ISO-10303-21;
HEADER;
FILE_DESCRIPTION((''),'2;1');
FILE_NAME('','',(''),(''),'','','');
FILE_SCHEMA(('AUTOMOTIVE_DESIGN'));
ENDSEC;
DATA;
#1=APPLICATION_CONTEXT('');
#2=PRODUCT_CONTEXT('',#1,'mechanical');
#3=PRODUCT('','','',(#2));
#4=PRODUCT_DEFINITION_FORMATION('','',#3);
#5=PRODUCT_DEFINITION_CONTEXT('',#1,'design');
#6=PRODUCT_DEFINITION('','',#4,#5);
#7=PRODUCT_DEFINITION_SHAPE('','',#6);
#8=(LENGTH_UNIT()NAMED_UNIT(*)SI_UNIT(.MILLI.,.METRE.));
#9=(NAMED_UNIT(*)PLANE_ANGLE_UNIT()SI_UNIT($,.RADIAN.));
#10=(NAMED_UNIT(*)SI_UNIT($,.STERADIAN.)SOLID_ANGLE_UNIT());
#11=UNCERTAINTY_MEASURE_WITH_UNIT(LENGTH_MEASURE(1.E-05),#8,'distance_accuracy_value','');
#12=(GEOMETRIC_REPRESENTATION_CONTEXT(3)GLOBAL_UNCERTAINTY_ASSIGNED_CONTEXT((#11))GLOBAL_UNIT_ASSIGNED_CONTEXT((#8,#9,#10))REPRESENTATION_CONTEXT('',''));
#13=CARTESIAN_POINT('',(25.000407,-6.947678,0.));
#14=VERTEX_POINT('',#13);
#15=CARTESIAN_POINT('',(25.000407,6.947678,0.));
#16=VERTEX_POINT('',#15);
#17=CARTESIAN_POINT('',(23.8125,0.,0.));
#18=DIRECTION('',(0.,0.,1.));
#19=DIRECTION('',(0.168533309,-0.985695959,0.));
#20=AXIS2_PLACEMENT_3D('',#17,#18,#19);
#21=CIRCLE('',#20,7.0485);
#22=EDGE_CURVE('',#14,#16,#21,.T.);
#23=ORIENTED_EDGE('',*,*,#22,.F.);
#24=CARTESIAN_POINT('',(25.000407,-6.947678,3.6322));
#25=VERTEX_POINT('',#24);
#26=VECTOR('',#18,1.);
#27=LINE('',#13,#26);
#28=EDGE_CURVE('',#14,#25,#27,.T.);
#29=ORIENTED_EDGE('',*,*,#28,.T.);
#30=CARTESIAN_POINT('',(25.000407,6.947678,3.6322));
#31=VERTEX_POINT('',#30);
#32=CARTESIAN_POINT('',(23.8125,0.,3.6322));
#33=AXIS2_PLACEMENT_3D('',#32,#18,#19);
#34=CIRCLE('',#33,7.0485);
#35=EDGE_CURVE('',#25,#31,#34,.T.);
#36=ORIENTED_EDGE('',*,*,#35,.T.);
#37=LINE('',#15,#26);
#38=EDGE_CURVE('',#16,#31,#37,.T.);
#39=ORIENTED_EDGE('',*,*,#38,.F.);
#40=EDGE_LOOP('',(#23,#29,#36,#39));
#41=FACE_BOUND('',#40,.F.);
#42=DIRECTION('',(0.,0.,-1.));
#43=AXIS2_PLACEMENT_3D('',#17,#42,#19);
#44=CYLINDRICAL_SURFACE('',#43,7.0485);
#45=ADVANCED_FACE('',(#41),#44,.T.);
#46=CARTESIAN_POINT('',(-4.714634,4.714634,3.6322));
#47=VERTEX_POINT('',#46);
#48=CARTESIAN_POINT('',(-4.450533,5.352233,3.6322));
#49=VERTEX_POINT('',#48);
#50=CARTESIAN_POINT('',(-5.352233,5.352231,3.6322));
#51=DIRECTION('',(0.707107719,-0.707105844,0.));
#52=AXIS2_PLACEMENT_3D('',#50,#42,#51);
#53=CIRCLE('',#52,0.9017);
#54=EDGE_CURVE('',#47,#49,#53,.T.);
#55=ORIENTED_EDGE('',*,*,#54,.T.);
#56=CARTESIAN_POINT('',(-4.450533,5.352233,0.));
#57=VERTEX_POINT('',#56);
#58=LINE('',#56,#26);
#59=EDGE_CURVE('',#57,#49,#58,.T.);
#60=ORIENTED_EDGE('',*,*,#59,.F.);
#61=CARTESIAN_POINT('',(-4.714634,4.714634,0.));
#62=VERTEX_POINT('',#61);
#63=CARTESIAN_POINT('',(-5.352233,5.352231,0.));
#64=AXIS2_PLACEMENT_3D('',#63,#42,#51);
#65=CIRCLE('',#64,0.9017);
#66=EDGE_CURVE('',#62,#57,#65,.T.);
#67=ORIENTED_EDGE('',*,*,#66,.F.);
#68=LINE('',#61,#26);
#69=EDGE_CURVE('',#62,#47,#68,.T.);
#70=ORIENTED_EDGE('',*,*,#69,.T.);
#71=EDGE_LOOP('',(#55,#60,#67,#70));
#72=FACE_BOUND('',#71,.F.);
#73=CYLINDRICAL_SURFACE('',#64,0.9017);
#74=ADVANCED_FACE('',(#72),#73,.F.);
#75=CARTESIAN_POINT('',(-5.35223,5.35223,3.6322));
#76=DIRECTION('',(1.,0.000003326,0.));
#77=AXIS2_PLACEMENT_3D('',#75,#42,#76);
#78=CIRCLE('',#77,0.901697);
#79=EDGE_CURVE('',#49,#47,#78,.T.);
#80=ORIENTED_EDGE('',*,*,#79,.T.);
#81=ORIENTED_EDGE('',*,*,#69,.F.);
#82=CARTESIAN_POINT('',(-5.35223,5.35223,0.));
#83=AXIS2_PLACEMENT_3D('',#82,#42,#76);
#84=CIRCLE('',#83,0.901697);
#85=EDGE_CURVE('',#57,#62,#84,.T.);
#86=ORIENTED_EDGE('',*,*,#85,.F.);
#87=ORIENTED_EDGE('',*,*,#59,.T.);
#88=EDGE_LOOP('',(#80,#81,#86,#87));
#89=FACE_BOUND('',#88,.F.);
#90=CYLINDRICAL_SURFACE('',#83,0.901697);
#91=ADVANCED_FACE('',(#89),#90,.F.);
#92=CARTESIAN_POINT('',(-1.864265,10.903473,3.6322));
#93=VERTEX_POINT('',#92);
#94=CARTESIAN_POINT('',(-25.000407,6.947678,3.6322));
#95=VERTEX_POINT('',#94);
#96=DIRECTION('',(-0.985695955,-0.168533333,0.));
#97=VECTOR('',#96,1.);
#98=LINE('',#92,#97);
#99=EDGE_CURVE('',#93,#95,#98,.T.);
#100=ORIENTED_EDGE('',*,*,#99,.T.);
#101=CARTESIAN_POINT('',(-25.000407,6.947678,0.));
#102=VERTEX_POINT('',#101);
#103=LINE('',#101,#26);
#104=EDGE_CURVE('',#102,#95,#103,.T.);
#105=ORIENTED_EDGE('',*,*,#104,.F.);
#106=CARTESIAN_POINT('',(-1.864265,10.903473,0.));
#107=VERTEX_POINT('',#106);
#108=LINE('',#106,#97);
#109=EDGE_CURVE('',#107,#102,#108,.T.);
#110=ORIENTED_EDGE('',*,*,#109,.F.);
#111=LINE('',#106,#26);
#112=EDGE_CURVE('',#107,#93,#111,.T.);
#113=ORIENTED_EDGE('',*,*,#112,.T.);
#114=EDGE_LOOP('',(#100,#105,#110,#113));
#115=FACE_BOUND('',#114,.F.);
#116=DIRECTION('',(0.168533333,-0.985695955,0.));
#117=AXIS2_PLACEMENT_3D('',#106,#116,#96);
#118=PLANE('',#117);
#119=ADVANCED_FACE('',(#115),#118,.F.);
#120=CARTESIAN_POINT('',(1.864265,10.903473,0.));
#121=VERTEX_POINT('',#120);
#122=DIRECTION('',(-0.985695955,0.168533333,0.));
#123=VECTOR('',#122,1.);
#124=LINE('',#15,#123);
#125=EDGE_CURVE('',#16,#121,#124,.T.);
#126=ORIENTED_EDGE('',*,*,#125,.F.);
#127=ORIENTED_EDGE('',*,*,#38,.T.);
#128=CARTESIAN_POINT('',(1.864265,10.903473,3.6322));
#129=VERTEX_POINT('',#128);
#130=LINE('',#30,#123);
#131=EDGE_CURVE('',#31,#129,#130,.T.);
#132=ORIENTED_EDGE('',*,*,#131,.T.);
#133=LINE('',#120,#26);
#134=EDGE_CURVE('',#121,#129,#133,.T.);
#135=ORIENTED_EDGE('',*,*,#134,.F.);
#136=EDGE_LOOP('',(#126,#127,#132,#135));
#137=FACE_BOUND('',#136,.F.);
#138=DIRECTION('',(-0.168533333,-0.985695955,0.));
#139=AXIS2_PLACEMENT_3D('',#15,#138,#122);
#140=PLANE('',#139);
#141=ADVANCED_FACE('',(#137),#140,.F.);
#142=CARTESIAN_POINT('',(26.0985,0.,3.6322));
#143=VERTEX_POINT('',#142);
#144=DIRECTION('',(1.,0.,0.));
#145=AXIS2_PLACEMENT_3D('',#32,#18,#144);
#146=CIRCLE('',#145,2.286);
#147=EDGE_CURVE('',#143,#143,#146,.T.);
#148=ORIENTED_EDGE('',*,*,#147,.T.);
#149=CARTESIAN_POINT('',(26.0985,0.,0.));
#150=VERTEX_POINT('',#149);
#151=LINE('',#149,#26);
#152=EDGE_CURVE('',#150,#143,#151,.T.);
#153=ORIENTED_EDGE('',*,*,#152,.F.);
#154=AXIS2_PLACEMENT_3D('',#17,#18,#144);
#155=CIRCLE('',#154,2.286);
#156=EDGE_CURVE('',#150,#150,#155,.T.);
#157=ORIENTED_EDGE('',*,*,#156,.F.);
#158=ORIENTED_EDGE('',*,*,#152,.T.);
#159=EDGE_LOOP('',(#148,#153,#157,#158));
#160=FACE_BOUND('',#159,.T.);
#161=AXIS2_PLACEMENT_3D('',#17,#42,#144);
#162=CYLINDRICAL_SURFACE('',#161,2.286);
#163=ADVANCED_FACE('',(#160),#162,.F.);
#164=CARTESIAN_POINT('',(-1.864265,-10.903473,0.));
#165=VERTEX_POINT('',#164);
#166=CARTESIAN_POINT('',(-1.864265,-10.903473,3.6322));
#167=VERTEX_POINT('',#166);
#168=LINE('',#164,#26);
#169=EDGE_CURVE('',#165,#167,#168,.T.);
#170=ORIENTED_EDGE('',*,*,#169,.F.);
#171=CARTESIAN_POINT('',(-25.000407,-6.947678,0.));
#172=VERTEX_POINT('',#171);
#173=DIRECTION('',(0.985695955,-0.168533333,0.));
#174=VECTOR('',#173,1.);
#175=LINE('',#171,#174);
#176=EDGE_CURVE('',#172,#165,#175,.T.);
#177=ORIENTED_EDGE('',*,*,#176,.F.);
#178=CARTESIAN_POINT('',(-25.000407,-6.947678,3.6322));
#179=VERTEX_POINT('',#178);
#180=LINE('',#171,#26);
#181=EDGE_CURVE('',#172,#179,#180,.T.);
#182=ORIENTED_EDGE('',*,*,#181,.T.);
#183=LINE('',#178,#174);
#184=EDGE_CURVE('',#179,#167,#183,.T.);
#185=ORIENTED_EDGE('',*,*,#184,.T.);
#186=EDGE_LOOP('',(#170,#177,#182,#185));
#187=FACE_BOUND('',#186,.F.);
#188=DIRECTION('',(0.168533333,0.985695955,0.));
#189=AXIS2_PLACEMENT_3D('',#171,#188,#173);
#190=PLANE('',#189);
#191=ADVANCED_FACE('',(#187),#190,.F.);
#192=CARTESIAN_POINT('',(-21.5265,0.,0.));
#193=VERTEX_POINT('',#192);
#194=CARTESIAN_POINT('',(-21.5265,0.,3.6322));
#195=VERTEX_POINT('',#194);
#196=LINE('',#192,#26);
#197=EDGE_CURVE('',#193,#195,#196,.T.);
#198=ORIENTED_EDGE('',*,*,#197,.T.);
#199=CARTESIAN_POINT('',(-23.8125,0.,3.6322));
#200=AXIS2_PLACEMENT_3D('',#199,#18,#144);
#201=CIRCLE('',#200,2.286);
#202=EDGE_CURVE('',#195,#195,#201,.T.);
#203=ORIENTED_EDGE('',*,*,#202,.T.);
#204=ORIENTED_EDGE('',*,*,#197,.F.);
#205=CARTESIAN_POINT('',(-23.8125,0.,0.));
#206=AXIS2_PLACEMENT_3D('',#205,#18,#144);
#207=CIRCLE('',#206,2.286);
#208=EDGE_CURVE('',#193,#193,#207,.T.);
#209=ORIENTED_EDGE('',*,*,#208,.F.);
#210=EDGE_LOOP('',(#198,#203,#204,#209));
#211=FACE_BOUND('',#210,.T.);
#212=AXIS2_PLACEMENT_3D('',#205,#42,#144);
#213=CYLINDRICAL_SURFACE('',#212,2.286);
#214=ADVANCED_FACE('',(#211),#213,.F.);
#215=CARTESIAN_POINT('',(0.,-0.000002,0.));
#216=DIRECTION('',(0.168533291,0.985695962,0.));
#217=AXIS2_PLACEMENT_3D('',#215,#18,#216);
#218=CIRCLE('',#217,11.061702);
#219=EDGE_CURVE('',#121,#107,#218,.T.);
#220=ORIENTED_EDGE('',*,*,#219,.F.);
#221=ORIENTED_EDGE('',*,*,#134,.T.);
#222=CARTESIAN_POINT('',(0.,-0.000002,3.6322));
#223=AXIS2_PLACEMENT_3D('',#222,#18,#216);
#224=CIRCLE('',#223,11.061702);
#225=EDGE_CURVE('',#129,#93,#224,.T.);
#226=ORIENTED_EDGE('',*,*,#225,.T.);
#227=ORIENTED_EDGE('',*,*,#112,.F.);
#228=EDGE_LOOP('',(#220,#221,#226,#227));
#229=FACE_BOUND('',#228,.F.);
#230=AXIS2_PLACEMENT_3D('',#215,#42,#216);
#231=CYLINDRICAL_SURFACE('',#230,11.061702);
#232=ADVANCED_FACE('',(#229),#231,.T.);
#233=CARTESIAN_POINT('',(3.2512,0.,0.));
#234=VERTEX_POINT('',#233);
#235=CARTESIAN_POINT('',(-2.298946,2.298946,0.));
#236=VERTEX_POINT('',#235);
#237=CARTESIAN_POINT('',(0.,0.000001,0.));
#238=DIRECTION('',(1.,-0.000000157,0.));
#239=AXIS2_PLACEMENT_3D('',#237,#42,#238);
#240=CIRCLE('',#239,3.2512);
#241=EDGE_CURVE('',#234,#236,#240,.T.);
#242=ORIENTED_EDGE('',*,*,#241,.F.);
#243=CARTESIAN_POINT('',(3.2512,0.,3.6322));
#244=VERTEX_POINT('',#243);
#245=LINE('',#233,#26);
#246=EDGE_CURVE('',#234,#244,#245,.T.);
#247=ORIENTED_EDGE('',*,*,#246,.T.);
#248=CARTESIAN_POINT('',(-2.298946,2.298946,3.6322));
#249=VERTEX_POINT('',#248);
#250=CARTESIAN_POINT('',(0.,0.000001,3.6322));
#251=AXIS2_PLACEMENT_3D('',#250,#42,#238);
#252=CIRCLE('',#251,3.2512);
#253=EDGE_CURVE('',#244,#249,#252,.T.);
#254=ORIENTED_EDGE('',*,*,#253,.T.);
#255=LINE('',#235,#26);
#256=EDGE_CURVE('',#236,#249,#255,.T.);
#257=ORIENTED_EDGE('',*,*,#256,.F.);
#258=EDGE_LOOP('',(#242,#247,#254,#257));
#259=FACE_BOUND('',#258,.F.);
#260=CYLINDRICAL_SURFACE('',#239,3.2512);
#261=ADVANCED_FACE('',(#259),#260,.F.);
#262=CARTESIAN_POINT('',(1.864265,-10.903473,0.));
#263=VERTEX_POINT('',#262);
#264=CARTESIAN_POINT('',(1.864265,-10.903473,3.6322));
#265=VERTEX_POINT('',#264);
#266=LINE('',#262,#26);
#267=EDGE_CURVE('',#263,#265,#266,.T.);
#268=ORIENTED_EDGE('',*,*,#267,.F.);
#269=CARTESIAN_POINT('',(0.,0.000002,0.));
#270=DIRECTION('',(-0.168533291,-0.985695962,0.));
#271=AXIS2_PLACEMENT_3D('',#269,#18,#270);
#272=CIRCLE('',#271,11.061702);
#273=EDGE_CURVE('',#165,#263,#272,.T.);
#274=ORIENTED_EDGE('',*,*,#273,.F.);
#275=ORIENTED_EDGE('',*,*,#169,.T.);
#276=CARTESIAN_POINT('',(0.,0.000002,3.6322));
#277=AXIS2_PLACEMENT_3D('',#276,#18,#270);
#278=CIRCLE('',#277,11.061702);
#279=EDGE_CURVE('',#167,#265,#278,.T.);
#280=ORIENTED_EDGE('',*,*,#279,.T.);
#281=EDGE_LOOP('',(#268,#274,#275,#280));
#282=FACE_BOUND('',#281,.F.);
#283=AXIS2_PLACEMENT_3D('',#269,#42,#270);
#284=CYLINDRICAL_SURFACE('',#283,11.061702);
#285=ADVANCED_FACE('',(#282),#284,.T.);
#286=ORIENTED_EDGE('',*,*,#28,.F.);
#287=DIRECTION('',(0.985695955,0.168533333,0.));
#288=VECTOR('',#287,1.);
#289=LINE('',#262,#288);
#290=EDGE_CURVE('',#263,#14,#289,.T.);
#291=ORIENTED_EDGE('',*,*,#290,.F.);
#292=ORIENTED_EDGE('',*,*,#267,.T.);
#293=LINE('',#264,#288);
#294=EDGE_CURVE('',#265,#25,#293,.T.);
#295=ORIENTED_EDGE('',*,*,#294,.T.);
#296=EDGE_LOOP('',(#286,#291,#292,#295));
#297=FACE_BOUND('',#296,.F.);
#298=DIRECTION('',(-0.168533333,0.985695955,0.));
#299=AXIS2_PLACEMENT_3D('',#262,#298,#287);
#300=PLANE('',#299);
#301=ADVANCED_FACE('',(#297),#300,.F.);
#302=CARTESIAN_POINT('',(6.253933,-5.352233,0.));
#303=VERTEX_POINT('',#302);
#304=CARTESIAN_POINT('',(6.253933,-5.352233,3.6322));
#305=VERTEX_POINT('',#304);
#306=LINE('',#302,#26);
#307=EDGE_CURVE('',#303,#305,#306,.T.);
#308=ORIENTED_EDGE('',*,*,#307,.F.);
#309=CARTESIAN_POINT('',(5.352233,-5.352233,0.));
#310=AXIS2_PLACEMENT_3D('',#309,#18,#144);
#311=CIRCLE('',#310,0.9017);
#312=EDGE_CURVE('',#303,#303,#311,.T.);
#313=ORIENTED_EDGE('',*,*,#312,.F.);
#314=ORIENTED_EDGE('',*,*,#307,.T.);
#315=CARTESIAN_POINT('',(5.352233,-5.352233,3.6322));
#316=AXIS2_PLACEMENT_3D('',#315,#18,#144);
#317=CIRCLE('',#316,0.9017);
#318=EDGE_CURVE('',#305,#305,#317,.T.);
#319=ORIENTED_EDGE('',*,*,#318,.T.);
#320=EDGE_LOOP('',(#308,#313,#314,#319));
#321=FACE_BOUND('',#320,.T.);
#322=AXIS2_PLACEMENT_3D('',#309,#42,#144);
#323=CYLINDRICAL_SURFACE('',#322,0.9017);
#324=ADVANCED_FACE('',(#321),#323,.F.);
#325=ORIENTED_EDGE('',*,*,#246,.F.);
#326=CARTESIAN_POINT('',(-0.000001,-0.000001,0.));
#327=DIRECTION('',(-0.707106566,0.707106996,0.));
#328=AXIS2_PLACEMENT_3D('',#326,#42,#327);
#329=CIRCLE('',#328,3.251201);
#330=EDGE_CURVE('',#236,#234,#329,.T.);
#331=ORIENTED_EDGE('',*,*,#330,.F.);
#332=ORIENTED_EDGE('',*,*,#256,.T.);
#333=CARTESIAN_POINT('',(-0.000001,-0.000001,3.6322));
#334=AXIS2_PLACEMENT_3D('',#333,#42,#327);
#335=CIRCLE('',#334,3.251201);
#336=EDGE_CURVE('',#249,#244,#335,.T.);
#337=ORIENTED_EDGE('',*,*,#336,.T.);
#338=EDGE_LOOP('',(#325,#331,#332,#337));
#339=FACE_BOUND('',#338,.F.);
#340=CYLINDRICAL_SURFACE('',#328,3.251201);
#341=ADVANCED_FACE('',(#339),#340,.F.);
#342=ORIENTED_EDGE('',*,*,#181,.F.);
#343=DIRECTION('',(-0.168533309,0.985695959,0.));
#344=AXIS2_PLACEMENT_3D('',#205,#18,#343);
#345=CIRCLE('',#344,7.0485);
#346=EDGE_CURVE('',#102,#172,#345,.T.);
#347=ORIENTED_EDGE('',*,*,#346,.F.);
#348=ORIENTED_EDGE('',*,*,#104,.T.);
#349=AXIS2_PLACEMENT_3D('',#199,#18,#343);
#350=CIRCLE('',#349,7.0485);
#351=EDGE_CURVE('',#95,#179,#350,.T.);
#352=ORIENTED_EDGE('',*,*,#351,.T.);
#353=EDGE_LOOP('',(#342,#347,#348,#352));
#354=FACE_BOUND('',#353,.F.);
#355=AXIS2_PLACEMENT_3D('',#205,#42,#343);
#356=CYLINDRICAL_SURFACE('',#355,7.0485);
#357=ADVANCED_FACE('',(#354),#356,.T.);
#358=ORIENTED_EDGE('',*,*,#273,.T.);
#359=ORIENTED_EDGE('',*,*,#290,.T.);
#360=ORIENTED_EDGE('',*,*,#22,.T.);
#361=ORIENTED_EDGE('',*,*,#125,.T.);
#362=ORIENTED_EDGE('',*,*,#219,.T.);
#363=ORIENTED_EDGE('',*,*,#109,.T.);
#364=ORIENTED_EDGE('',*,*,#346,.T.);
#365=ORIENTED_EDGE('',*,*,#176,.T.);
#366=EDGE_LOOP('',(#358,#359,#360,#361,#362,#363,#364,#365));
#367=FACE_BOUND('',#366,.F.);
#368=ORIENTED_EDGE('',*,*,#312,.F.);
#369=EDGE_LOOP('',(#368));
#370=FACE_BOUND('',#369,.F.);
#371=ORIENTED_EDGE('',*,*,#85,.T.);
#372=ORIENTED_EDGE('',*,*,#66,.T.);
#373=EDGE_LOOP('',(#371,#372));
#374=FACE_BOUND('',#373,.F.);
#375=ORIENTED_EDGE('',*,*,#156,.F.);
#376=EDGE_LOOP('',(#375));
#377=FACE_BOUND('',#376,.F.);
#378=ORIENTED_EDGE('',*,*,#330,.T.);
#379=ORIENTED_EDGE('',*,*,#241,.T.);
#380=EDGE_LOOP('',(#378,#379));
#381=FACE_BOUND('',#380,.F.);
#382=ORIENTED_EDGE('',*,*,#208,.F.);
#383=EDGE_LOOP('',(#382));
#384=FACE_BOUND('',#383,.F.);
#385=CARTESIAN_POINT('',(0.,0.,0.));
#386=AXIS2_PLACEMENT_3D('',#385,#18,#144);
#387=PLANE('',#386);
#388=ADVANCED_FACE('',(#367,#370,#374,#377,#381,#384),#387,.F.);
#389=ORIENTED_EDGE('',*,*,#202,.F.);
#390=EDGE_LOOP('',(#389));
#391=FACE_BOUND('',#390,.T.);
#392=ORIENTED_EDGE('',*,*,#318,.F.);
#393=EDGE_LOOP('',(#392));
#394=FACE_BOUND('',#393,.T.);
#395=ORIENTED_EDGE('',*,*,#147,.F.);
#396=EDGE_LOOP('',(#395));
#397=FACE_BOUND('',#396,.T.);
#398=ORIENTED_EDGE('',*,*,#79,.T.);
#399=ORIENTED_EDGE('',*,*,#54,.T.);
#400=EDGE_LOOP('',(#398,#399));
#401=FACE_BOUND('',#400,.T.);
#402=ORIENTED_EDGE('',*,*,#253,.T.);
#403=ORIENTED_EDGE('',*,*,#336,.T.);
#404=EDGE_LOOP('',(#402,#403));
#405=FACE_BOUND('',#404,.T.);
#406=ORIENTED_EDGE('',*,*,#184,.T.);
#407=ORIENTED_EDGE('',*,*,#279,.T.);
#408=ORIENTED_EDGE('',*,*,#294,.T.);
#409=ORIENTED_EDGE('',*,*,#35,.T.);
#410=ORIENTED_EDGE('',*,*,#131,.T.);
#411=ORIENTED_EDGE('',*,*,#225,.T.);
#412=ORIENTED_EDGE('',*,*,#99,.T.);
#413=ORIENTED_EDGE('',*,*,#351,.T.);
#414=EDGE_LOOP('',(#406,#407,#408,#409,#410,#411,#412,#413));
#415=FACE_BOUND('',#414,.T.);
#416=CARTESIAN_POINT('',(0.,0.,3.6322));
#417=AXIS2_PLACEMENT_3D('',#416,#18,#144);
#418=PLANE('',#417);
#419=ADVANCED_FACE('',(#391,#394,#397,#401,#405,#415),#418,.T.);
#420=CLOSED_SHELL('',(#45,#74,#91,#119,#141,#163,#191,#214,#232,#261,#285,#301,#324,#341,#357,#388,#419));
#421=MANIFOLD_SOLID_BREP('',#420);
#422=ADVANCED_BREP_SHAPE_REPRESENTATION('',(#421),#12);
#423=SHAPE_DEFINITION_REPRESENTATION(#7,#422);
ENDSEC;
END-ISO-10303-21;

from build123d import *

# Parameters (mm, degrees)
F0_R     = 0.9017
F0_R_2   = 2.286
F1_DEPTH = 3.6322


with BuildPart() as f1:
    # F0 (on Top) → F1 (new body)
    with BuildSketch(Plane.XY):
        with BuildLine():
            Line((25.000407, 6.947678), (1.864265, 10.903473))
            ThreePointArc((1.864265, 10.903473), (0, 11.0617), (-1.864265, 10.903473))
            Line((-1.864265, 10.903473), (-25.000407, 6.947678))
            ThreePointArc((-25.000407, 6.947678), (-30.861, 0), (-25.000407, -6.947678))
            Line((-25.000407, -6.947678), (-1.864265, -10.903473))
            ThreePointArc((-1.864265, -10.903473), (0, -11.0617), (1.864265, -10.903473))
            Line((1.864265, -10.903473), (25.000407, -6.947678))
            ThreePointArc((25.000407, -6.947678), (30.861, 0), (25.000407, 6.947678))
        make_face()
        with Locations((5.352233, -5.352233)):
            Circle(F0_R, mode=Mode.SUBTRACT)
        with Locations((-23.8125, 0)):
            Circle(F0_R_2, mode=Mode.SUBTRACT)
        with BuildLine():
            ThreePointArc((-4.450533, 5.352233), (-4.51917, 5.007167), (-4.714634, 4.714634))
            ThreePointArc((-4.714634, 4.714634), (-6.185295, 5.697298), (-4.450533, 5.352233))
        make_face(mode=Mode.SUBTRACT)
        with BuildLine():
            ThreePointArc((-2.298946, 2.298946), (1.24418, 3.003717), (3.2512, 0))
            ThreePointArc((3.2512, 0), (-1.24418, -3.003717), (-2.298946, 2.298946))
        make_face(mode=Mode.SUBTRACT)
        with Locations((23.8125, 0)):
            Circle(F0_R_2, mode=Mode.SUBTRACT)
    extrude(amount=F1_DEPTH)


solid = f1.part
